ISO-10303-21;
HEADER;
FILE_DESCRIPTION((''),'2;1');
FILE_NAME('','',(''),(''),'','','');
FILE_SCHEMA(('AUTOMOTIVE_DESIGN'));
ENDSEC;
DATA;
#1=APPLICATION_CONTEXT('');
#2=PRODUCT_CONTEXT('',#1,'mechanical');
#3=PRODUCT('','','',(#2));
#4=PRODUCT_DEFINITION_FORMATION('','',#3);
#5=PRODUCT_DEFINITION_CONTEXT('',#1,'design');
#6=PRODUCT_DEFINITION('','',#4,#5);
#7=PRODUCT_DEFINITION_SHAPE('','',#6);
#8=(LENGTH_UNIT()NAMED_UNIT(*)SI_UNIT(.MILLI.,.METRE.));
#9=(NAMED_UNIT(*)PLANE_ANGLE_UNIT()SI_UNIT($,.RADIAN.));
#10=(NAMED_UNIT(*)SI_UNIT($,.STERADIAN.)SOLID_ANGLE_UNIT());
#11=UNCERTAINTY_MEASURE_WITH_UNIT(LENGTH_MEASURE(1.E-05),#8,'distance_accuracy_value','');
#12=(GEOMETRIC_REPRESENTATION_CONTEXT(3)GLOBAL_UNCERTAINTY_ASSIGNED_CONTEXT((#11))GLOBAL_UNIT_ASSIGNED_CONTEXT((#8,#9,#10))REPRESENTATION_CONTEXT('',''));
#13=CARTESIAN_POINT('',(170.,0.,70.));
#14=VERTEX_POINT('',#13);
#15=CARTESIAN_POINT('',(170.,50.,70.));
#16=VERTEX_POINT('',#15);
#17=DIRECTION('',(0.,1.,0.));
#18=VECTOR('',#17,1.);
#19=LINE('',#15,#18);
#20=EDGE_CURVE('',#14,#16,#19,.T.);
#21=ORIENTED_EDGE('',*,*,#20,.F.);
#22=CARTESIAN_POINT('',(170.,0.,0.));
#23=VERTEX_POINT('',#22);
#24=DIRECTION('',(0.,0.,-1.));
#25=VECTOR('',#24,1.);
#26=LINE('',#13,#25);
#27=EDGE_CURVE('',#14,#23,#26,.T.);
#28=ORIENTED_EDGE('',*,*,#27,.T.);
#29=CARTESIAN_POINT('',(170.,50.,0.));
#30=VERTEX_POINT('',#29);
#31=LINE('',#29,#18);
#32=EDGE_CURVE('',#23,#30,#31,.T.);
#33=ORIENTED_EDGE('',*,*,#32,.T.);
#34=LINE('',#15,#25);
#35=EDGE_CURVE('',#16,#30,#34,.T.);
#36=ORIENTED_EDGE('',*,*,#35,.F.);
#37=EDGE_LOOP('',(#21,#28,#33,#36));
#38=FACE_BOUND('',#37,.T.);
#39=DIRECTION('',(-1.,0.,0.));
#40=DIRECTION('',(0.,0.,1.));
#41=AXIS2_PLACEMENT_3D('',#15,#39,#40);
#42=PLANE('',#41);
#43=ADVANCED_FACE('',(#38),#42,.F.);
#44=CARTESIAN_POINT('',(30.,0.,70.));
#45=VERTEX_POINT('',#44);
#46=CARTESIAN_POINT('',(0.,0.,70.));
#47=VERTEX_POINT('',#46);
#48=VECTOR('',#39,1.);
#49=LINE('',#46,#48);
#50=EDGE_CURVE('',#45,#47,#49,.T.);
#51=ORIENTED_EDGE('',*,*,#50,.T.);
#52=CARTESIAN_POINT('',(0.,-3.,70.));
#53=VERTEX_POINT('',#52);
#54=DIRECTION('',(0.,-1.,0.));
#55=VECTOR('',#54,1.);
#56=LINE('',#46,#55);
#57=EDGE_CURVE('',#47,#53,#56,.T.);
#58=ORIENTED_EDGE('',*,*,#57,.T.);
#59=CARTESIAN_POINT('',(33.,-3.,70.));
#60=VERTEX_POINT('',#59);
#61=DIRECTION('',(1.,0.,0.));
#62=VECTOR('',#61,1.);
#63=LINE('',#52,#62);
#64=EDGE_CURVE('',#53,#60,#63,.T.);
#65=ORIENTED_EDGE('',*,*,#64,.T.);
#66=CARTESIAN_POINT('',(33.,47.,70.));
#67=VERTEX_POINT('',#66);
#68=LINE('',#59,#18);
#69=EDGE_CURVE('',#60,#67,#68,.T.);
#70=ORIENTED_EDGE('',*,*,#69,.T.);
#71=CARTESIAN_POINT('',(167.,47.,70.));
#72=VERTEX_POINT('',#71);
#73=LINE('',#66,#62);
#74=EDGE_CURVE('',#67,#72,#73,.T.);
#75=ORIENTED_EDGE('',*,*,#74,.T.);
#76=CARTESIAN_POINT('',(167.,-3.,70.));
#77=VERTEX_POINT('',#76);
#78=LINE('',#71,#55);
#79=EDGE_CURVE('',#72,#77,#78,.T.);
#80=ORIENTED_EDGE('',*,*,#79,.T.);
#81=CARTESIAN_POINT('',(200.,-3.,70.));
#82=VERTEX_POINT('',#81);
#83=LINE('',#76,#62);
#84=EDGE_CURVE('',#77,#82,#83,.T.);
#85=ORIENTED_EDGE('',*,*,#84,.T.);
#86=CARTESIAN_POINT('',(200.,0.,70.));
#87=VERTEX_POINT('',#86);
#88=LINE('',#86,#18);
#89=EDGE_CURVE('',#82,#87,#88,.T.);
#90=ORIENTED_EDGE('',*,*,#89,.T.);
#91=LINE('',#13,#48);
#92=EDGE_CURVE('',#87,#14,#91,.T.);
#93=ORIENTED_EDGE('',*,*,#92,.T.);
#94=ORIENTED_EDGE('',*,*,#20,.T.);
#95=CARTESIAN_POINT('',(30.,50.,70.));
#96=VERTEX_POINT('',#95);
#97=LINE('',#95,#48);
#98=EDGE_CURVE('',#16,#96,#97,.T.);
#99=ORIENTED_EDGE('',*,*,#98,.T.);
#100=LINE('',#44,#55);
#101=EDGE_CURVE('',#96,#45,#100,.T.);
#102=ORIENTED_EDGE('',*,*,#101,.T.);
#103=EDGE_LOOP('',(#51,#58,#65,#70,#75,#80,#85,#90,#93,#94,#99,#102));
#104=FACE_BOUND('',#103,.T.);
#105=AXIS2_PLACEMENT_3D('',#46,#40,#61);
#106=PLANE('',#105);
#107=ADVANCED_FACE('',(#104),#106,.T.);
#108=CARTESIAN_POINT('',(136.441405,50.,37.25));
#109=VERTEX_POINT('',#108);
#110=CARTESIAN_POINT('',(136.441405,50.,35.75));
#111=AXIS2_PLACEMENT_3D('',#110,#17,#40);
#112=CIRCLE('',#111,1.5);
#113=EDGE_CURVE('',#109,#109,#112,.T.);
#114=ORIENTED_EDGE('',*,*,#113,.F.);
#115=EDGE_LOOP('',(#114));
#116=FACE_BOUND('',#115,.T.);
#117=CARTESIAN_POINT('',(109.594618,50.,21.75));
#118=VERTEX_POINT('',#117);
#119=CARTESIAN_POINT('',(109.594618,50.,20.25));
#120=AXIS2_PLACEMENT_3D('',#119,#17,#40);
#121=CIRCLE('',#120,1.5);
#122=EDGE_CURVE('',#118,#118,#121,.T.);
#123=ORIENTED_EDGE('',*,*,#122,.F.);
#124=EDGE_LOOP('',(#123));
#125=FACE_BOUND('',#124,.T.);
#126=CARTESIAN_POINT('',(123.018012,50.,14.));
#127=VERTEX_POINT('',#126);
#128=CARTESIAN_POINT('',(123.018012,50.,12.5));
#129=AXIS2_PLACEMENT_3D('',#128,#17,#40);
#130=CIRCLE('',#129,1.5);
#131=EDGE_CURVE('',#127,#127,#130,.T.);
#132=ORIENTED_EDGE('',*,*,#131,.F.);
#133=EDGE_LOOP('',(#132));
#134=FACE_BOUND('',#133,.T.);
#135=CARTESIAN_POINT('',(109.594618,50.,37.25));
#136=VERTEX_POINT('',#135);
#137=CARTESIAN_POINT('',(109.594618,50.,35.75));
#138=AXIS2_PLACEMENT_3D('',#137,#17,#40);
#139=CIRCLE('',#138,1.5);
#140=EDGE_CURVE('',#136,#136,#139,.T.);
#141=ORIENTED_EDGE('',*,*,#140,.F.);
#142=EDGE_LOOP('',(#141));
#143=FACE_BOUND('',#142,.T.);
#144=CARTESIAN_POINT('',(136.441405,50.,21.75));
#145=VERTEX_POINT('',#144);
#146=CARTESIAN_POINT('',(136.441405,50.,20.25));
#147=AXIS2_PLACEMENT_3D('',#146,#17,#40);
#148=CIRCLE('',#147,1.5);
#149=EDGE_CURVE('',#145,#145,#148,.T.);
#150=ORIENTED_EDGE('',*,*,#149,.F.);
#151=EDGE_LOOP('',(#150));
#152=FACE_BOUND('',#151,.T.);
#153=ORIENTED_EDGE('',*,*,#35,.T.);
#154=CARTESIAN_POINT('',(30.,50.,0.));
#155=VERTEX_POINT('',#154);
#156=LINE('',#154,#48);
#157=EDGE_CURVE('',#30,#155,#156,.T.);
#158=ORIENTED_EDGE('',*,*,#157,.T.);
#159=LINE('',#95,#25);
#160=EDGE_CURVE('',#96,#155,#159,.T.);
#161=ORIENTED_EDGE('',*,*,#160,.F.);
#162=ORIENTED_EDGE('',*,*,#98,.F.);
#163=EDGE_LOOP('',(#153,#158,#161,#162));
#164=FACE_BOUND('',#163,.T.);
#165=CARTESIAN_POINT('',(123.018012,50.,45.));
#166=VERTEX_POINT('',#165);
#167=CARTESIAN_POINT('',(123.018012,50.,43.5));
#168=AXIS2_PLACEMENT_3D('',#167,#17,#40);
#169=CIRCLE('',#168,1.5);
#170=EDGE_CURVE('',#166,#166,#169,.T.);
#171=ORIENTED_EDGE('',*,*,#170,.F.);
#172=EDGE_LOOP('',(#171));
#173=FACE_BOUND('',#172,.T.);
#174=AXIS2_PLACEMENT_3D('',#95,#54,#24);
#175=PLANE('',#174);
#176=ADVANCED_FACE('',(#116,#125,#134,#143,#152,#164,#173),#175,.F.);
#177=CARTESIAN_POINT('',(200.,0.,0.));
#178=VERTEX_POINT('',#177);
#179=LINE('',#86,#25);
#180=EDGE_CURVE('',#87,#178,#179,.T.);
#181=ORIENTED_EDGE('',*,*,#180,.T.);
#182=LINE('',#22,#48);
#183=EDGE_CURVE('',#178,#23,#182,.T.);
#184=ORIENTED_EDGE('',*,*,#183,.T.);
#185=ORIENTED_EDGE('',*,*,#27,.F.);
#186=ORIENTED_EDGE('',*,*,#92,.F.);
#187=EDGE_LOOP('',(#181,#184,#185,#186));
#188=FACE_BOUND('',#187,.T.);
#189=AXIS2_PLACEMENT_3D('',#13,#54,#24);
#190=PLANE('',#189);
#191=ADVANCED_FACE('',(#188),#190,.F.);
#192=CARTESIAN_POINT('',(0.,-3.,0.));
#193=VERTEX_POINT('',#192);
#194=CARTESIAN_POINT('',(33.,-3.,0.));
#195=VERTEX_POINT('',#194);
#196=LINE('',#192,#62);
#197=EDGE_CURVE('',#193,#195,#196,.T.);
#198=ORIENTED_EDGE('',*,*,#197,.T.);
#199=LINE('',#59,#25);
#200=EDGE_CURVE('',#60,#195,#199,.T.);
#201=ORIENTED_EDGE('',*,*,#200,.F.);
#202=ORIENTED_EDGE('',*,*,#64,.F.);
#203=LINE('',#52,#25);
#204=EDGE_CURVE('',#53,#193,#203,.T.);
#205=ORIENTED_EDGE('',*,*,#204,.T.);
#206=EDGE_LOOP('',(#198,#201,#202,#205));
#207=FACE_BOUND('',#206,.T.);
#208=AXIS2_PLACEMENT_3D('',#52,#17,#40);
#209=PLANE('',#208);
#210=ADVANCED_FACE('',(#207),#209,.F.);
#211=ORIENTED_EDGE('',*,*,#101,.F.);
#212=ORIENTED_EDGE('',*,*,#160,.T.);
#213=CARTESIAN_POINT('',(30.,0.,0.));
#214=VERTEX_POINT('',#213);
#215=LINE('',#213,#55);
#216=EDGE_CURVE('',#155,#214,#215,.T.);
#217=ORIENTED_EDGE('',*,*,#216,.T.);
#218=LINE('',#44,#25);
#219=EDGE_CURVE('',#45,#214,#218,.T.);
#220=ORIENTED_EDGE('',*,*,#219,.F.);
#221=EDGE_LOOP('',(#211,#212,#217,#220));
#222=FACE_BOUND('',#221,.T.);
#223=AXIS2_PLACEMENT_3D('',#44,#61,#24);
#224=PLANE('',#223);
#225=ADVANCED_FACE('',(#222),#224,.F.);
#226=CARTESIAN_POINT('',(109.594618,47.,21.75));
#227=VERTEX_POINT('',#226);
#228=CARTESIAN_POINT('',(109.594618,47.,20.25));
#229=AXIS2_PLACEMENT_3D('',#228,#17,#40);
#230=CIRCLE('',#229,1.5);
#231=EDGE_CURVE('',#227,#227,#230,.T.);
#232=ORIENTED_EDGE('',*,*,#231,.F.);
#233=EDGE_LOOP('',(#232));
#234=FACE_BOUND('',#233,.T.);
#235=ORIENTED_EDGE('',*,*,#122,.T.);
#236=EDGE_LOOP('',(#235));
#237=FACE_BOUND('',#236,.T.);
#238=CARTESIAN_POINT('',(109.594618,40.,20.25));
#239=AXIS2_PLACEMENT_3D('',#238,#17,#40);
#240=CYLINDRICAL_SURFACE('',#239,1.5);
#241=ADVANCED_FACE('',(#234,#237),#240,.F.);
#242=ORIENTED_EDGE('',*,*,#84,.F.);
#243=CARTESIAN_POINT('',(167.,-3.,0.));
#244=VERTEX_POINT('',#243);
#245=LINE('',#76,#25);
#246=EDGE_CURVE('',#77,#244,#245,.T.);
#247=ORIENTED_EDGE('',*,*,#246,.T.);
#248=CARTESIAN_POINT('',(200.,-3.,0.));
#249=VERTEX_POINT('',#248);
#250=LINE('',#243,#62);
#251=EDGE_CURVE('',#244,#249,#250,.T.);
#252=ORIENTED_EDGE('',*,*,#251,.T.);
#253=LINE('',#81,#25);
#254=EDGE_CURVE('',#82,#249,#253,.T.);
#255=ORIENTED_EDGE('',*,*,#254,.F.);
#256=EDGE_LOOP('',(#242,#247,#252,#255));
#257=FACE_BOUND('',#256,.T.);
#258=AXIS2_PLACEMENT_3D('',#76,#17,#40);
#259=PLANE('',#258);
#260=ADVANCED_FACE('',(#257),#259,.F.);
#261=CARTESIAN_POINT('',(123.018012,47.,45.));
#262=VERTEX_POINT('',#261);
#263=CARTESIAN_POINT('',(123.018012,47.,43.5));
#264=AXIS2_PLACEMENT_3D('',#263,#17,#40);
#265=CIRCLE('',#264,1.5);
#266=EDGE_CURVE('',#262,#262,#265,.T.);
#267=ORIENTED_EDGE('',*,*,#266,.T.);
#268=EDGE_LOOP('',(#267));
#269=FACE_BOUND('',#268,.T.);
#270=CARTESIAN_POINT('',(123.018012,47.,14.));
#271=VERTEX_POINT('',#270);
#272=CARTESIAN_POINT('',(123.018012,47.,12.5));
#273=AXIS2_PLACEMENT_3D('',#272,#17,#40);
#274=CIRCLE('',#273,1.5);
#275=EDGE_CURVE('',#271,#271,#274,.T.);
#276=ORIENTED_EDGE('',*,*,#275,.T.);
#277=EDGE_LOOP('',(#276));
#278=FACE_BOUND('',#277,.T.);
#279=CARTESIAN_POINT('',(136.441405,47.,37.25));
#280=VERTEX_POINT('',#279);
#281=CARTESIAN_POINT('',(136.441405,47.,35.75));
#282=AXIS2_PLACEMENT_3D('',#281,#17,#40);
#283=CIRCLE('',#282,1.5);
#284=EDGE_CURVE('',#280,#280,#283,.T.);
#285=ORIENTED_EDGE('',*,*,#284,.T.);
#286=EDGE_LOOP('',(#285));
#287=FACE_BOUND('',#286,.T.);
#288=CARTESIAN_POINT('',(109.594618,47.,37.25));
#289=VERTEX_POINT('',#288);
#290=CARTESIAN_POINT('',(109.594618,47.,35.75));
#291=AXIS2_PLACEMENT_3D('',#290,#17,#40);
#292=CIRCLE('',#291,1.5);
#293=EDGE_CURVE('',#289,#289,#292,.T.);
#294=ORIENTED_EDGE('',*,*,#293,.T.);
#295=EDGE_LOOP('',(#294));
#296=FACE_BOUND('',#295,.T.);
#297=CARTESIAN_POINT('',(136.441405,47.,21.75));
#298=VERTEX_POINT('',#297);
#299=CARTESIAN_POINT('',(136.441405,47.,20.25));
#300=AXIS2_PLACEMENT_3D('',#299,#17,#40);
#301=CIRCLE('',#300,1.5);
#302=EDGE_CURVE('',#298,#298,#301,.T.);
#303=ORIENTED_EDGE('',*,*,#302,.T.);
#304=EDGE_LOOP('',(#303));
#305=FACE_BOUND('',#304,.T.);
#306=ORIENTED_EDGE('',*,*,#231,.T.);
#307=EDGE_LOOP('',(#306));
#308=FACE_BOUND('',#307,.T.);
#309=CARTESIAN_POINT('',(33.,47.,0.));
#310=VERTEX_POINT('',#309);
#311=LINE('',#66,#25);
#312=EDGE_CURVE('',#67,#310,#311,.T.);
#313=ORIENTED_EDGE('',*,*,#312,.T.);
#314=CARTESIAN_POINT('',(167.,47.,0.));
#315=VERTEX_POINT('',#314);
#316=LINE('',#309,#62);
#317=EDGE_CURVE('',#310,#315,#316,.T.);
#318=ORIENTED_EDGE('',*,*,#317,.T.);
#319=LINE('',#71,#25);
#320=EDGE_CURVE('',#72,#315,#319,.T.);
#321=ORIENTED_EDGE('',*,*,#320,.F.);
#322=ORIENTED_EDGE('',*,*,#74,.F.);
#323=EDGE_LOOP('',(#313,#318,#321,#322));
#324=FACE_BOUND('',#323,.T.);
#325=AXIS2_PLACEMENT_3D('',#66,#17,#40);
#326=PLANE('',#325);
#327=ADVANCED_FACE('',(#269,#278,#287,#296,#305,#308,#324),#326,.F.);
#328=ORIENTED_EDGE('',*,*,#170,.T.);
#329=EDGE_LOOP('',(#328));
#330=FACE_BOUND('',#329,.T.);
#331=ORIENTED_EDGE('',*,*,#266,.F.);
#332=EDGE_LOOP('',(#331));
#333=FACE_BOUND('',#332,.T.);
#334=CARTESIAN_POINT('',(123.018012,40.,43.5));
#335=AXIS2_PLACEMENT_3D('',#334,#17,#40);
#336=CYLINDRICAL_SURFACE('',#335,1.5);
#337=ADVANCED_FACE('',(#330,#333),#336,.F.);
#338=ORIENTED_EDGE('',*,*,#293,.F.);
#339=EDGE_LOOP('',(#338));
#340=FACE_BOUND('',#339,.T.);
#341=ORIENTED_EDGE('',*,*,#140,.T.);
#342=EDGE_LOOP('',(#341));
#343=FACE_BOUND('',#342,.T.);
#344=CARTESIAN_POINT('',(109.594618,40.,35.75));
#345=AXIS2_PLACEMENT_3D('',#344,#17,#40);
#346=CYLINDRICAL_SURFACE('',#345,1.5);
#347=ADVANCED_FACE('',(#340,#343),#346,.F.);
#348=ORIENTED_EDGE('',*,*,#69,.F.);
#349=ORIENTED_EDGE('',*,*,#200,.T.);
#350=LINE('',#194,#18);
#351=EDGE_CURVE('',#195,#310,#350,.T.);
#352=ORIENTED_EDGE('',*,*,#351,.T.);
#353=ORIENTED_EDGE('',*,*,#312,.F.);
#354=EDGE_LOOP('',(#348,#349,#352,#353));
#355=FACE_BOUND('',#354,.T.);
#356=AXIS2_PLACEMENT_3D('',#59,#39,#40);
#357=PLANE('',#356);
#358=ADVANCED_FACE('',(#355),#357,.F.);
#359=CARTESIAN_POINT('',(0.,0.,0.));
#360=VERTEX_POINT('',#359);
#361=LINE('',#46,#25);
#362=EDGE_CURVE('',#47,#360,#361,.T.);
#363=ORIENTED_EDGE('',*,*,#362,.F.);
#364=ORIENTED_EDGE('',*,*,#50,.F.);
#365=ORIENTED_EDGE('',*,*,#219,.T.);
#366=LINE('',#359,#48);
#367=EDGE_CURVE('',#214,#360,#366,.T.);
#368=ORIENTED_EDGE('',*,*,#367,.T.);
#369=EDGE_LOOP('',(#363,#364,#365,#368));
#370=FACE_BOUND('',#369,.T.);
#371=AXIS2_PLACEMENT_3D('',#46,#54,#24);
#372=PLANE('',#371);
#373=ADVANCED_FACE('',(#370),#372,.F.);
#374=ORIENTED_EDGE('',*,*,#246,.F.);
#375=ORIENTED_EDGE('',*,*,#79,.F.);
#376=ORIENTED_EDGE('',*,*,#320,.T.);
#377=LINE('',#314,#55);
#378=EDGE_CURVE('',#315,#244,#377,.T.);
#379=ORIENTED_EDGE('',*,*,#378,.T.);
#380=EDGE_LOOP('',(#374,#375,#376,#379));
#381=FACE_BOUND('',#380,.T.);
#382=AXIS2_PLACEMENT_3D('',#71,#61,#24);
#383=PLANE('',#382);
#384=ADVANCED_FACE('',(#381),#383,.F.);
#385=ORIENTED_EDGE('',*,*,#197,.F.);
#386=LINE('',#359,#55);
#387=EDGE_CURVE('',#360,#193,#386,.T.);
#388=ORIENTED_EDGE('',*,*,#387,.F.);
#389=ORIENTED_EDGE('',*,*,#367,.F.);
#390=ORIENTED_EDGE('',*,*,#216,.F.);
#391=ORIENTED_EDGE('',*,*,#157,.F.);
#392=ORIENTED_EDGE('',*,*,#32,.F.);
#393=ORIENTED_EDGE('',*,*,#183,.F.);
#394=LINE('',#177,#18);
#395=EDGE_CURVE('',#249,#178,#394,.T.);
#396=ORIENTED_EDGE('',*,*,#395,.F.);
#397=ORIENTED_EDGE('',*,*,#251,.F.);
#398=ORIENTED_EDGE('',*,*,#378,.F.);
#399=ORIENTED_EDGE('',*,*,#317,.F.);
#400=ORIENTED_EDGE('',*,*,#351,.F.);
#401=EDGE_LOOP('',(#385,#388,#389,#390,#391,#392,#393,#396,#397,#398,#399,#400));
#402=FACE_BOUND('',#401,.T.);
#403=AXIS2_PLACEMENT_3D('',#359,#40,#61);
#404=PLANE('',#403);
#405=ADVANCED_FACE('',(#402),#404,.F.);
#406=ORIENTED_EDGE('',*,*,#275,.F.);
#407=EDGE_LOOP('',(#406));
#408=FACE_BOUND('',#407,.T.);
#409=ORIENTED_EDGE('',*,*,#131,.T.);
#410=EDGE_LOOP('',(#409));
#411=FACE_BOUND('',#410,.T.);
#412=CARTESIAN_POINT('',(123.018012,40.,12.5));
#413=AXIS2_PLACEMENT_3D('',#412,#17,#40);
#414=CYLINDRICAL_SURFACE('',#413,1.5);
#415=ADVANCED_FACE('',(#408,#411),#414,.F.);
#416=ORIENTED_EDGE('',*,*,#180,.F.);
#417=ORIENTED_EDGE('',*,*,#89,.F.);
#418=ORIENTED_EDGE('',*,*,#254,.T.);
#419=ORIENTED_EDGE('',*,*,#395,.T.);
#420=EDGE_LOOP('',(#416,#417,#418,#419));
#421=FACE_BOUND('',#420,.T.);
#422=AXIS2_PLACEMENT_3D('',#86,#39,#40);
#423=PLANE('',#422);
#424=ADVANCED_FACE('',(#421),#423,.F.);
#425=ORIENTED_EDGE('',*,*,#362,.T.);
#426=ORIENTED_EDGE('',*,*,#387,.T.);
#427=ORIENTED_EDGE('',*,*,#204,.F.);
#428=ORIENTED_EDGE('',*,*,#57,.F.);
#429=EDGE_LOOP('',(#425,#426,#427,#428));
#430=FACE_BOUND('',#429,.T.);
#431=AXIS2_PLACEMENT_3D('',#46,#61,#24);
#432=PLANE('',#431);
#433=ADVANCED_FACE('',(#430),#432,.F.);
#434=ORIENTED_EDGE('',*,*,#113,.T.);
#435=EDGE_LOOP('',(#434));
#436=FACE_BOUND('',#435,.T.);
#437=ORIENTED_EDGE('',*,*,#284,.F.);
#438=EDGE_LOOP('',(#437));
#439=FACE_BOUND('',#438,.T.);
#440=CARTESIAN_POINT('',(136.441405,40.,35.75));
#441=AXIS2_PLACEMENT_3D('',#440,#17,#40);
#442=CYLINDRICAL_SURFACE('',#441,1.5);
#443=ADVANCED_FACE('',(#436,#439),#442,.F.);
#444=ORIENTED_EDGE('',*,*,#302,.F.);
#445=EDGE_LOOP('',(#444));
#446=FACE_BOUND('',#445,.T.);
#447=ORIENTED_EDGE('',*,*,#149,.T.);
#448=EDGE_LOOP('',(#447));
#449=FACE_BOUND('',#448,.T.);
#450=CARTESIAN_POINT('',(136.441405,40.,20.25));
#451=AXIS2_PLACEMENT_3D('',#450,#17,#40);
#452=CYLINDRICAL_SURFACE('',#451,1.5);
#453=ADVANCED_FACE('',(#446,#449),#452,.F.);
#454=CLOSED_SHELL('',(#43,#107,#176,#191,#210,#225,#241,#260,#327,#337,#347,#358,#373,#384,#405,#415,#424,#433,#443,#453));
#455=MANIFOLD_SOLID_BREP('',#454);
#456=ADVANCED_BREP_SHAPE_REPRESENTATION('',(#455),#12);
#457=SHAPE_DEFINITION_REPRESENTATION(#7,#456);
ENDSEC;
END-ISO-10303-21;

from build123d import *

# Parameters (mm, degrees)
EXTRUDE_1_DEPTH     = 70
SKETCH_2_R          = 1.5
CUT_EXTRUDE_1_DEPTH = 10


with BuildPart() as part:
    # 草图1 → 凸台-拉伸1 (new body)
    with BuildSketch(Plane.XY):
        Polygon((0, 0), (30, 0), (30, 50), (170, 50), (170, 0), (200, 0), (200, -3), (167, -3), (167, 47), (33, 47), (33, -3), (0, -3), align=None)
    extrude(amount=EXTRUDE_1_DEPTH)

    # 草图2 → 切除-拉伸1 (cut)
    with BuildSketch(Plane(origin=(0, 50, 0), x_dir=(1, 0, 0), z_dir=(0, 1, 0))):
        with Locations(Location((123.018011593, -43.499999999, 0), (0, 0, 270))):
            Circle(SKETCH_2_R)
        with Locations(Location((136.441405352, -35.749999999, 0), (0, 0, 270))):
            Circle(SKETCH_2_R)
        with Locations(Location((136.441405352, -20.249999999, 0), (0, 0, 270))):
            Circle(SKETCH_2_R)
        with Locations(Location((123.018011593, -12.499999999, 0), (0, 0, 270))):
            Circle(SKETCH_2_R)
        with Locations(Location((109.594617835, -35.749999999, 0), (0, 0, 270))):
            Circle(SKETCH_2_R)
        with Locations(Location((109.594617835, -20.249999999, 0), (0, 0, 270))):
            Circle(SKETCH_2_R)
    extrude(amount=-CUT_EXTRUDE_1_DEPTH, mode=Mode.SUBTRACT)


solid = part.part
